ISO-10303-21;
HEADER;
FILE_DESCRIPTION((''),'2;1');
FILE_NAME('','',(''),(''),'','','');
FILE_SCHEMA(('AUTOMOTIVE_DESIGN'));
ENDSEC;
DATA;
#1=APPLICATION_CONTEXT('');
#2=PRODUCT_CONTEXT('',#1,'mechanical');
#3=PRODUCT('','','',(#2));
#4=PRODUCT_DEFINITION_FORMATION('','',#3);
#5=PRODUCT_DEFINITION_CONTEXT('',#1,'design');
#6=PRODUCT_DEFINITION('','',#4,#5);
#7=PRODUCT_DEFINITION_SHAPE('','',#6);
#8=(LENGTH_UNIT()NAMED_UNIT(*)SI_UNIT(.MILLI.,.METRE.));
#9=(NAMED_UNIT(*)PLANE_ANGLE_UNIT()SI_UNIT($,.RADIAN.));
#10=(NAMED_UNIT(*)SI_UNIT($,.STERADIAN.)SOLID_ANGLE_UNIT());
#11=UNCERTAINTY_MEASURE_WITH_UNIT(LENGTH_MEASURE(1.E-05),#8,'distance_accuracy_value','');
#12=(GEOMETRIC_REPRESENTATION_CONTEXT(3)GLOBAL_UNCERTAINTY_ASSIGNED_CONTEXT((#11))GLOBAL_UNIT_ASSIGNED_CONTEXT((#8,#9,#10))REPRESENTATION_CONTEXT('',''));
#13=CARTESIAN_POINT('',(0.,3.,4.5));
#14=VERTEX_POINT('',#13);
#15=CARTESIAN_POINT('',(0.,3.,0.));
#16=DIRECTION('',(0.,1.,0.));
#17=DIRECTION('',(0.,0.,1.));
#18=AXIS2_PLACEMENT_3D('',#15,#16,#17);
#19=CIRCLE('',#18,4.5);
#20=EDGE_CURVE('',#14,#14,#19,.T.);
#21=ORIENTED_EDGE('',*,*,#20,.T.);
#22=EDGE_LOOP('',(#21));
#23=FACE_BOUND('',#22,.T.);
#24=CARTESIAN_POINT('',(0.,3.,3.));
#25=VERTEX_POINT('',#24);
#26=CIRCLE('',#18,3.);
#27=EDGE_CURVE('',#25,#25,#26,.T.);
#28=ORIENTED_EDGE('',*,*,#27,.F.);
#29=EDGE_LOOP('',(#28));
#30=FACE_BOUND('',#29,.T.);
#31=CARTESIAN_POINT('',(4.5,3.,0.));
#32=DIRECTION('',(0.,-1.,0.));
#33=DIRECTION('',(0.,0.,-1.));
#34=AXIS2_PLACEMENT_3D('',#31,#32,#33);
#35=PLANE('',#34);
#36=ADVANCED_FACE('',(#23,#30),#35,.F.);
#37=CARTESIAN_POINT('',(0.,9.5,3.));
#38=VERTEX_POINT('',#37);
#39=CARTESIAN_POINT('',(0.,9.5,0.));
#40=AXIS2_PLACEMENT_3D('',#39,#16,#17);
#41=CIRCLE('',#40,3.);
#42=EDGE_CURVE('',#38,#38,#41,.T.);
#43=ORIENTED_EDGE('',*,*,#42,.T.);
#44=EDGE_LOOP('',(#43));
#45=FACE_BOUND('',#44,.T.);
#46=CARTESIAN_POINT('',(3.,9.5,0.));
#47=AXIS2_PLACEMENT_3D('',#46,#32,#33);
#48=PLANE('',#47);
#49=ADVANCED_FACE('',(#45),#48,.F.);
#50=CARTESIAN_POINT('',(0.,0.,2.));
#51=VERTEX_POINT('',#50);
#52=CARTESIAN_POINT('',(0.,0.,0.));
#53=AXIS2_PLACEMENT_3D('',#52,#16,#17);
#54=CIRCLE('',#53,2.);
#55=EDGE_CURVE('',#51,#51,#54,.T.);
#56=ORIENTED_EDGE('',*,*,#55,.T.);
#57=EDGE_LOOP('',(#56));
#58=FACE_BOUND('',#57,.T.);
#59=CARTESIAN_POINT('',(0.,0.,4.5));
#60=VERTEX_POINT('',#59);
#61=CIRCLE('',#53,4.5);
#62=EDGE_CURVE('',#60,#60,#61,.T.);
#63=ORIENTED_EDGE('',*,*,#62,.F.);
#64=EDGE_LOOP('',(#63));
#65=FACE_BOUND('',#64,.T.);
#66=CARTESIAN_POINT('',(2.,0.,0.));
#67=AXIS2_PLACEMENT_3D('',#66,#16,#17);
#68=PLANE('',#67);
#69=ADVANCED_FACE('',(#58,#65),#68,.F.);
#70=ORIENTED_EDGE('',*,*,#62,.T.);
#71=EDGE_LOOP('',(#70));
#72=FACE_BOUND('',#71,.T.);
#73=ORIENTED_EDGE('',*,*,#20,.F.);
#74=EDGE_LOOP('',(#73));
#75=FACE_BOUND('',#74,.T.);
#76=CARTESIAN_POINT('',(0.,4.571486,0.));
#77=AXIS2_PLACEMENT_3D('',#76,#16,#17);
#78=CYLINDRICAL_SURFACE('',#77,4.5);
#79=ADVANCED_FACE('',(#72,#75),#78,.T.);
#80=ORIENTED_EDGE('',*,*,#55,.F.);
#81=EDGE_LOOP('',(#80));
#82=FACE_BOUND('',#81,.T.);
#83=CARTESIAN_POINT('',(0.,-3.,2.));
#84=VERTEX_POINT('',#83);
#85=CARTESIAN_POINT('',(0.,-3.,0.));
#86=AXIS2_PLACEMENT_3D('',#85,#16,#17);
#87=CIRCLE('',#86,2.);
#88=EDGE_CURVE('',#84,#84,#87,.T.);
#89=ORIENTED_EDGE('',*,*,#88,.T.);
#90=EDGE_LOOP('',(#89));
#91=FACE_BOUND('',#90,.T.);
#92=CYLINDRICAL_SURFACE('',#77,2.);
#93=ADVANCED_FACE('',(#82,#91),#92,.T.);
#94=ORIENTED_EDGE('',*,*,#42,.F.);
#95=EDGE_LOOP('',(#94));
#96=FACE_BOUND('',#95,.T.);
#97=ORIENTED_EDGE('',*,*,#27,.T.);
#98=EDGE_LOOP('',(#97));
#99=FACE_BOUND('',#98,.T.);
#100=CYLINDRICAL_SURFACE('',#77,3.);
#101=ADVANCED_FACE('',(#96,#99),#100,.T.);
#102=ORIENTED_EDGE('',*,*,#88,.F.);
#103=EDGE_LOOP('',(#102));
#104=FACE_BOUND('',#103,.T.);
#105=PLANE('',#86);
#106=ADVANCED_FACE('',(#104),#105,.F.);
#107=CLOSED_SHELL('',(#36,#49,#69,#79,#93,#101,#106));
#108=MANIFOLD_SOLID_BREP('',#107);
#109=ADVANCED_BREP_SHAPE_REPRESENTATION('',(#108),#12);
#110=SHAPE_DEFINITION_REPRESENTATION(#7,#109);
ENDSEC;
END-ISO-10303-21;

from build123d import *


with BuildPart() as part:
    # Sketch1 → Revolve1 (revolve)
    with BuildSketch(Plane.XY, mode=Mode.PRIVATE) as revolve1_sk:
        Polygon((0, -3), (2, -3), (2, 0), (4.5, 0), (4.5, 3), (3, 3), (3, 9.5), (0, 9.5), align=None)
    revolve(revolve1_sk.sketch.rotate(Axis((0, 4.57148633, 0), (0, -1, 0)), 90), axis=Axis((0, 4.57148633, 0), (0, -1, 0)))


solid = part.part
